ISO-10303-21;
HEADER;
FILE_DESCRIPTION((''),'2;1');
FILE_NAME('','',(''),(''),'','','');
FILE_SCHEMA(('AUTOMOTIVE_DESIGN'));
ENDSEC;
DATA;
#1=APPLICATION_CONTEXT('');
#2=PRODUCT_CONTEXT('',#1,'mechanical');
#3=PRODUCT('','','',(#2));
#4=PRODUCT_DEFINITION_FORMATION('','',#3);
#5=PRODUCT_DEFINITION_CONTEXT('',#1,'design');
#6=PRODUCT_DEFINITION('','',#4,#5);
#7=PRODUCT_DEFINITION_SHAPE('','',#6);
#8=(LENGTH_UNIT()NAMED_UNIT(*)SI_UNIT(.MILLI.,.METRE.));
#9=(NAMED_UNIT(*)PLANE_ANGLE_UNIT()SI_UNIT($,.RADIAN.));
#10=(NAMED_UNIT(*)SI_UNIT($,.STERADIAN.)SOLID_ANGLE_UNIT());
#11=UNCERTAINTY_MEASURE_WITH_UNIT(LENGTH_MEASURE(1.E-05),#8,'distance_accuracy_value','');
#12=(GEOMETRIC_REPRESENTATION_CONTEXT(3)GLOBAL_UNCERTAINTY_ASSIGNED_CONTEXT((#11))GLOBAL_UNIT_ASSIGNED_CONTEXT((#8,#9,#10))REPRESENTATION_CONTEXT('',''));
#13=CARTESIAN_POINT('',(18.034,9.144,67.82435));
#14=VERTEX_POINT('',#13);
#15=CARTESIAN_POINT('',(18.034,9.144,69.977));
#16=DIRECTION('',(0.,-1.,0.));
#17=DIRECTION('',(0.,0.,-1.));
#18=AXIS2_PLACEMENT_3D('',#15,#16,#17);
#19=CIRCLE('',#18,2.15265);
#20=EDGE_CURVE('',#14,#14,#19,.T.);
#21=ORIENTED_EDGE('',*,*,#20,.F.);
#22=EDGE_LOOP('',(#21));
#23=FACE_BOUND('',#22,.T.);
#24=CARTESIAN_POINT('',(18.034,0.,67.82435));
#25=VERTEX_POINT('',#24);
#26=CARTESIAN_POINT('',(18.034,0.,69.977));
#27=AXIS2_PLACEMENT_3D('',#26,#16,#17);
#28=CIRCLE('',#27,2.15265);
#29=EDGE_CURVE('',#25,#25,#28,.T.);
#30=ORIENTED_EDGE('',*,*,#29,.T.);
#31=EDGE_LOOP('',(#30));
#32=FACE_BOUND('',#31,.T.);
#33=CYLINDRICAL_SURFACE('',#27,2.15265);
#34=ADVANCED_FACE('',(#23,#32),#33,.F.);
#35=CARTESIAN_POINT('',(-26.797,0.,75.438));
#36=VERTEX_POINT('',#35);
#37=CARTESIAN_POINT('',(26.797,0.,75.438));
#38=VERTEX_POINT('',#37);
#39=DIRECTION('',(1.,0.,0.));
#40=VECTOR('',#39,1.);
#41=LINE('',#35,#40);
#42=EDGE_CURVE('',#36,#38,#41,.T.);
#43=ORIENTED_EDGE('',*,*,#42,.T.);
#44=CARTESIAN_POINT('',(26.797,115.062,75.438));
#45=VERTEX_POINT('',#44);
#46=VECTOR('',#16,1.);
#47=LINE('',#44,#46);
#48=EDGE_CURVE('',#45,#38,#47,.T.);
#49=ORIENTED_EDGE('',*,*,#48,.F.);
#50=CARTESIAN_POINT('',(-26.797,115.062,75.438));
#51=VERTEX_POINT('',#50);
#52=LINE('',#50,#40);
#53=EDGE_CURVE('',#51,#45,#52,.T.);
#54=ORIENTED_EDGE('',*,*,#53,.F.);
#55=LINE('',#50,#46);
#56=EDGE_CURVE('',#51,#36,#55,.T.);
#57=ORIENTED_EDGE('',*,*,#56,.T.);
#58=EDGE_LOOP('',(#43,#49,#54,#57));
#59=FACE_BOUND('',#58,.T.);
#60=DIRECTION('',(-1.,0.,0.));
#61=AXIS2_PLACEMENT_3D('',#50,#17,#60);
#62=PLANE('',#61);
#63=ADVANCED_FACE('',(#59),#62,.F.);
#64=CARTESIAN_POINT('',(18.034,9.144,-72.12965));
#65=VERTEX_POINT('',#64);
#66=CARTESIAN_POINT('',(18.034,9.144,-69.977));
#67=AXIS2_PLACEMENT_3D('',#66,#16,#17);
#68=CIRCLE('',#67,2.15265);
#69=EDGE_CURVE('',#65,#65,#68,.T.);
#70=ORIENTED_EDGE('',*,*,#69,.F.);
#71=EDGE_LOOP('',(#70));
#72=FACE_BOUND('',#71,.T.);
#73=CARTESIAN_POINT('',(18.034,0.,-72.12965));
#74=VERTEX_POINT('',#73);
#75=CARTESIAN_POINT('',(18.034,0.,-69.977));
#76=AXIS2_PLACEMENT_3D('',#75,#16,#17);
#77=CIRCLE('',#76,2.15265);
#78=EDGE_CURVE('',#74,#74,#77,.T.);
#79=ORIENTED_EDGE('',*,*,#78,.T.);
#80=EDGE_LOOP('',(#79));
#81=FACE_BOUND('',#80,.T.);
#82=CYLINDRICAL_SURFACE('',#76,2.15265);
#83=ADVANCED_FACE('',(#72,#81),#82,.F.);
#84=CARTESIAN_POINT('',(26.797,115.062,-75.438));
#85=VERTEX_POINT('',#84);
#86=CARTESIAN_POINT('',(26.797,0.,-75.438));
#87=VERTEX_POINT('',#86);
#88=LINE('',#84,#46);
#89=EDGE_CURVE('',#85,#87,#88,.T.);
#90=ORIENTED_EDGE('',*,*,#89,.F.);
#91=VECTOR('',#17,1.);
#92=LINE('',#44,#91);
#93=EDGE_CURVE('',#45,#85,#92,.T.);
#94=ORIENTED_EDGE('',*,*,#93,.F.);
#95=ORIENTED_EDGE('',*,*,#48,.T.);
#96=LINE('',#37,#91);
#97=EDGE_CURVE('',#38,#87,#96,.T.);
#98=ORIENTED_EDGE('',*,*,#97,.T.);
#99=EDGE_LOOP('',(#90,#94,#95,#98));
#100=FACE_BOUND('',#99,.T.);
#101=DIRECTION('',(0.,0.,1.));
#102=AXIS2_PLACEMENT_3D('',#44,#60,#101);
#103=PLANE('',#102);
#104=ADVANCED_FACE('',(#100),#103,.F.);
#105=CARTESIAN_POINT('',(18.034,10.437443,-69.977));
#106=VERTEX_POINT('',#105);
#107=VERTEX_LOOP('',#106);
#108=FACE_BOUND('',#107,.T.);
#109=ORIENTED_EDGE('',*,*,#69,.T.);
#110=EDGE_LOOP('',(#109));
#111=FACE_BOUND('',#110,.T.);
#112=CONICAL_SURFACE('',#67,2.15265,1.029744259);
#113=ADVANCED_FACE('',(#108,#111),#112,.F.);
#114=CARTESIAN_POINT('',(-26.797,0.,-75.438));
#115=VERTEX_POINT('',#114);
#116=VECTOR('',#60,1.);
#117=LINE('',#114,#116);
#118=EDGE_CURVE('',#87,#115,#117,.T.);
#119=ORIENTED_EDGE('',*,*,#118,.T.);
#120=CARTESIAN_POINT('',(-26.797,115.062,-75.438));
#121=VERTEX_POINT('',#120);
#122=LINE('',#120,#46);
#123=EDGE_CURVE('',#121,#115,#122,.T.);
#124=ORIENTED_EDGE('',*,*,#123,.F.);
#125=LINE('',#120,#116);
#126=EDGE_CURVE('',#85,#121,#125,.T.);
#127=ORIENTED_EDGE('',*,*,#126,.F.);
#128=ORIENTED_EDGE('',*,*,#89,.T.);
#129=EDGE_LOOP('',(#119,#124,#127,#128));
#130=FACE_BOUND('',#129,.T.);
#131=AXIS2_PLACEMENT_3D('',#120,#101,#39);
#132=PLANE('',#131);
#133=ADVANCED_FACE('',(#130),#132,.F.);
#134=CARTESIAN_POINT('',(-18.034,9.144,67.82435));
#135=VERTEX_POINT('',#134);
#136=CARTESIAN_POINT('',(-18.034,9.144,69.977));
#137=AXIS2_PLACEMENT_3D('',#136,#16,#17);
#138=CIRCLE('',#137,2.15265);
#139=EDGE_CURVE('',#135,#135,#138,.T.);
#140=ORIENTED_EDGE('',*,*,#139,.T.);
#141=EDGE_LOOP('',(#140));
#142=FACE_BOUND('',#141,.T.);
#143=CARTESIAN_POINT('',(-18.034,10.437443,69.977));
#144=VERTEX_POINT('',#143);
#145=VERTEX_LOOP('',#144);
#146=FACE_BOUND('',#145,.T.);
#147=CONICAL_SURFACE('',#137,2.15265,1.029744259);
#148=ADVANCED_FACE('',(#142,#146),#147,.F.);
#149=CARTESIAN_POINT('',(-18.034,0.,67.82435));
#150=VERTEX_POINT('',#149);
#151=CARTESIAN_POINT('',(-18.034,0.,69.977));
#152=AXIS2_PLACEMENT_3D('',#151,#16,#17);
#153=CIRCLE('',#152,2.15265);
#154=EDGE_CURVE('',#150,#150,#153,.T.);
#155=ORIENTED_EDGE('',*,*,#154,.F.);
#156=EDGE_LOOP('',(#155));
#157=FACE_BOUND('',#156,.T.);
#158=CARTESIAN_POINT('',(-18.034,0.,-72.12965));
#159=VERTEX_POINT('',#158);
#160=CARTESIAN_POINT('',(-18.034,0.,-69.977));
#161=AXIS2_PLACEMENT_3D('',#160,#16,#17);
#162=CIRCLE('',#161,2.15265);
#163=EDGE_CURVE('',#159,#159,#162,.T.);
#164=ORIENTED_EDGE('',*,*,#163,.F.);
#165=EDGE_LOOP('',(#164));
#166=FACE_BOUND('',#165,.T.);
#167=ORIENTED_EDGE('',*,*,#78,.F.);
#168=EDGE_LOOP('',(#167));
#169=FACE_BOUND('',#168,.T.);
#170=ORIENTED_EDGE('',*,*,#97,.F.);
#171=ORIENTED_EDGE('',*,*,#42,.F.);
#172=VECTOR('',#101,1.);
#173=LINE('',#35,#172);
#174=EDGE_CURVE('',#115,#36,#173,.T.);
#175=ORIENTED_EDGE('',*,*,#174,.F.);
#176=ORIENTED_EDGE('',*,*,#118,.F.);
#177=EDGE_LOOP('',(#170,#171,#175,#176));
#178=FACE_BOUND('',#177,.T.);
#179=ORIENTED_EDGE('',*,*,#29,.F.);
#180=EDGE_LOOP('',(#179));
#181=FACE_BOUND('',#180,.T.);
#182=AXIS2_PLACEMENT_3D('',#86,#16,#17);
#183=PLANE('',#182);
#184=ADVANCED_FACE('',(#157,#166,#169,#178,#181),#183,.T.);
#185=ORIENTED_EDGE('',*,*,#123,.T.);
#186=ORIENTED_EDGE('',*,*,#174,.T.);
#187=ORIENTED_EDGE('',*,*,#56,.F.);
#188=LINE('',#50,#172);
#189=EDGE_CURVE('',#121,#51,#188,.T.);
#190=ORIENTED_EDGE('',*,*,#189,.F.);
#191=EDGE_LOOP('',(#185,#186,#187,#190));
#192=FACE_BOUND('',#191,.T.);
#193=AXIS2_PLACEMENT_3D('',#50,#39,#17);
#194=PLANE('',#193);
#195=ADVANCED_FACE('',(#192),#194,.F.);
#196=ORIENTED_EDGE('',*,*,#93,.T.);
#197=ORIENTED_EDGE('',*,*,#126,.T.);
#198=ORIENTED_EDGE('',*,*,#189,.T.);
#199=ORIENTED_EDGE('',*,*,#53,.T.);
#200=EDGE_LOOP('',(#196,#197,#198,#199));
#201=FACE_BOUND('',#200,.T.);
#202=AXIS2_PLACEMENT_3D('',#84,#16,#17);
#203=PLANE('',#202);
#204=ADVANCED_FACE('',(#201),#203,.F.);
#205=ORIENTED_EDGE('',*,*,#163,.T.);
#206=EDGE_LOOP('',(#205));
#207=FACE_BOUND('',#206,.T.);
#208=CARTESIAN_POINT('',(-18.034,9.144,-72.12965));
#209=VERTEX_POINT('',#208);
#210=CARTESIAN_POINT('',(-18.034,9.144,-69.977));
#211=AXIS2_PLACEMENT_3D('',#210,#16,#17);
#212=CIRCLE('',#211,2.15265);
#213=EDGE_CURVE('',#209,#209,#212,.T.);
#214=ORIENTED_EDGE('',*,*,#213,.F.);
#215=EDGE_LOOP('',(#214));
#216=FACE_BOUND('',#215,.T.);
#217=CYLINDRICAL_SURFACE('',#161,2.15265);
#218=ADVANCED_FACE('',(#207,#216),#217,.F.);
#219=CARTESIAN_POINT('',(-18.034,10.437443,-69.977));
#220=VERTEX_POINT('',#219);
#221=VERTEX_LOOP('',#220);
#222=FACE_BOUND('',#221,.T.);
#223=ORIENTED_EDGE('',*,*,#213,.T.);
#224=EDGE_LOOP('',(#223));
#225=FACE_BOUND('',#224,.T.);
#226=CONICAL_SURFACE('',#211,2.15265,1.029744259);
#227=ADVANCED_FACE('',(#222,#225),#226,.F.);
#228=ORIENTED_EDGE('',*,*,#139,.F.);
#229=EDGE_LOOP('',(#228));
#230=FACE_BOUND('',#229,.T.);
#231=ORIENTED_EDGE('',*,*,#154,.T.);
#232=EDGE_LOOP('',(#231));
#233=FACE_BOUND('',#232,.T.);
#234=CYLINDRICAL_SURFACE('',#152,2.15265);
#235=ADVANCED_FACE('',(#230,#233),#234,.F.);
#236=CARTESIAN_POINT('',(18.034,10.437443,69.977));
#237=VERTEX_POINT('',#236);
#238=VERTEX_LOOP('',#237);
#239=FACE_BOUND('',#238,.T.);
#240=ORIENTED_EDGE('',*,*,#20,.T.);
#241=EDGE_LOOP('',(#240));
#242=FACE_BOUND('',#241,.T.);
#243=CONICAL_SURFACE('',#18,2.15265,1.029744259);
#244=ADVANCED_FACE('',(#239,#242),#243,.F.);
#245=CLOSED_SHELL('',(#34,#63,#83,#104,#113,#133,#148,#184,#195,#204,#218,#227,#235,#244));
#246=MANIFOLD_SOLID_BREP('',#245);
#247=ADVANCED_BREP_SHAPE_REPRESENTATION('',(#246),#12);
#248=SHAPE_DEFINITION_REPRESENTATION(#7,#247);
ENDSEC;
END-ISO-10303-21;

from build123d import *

# Parameters (mm, degrees)
SKETCH1_W                 = 53.594
SKETCH1_H                 = 150.876
BOSS_EXTRUDE1_DEPTH       = 115.062
F_6_CLEARANCE_HOLE1_D     = 4.3053
F_6_CLEARANCE_HOLE1_DEPTH = 9.144
F_6_CLEARANCE_HOLE1_TIP   = 1.293442612


with BuildPart() as part:
    # Sketch1 → Boss-Extrude1 (new body)
    with BuildSketch(Plane(origin=(0, 0, 0), x_dir=(1, 0, 0), z_dir=(0, 1, 0))):
        Rectangle(SKETCH1_W, SKETCH1_H)
    extrude(amount=BOSS_EXTRUDE1_DEPTH)

    # #6 Clearance Hole1
    with Locations(Plane.XZ):
        with Locations((18.034, 69.977), (-18.034, 69.977), (-18.034, -69.977), (18.034, -69.977)):
            Hole(F_6_CLEARANCE_HOLE1_D / 2, depth=F_6_CLEARANCE_HOLE1_DEPTH)
            with Locations((0, 0, -(F_6_CLEARANCE_HOLE1_DEPTH + F_6_CLEARANCE_HOLE1_TIP / 2))):  # 118° drill point
                Cone(0, F_6_CLEARANCE_HOLE1_D / 2, F_6_CLEARANCE_HOLE1_TIP, mode=Mode.SUBTRACT)


solid = part.part
